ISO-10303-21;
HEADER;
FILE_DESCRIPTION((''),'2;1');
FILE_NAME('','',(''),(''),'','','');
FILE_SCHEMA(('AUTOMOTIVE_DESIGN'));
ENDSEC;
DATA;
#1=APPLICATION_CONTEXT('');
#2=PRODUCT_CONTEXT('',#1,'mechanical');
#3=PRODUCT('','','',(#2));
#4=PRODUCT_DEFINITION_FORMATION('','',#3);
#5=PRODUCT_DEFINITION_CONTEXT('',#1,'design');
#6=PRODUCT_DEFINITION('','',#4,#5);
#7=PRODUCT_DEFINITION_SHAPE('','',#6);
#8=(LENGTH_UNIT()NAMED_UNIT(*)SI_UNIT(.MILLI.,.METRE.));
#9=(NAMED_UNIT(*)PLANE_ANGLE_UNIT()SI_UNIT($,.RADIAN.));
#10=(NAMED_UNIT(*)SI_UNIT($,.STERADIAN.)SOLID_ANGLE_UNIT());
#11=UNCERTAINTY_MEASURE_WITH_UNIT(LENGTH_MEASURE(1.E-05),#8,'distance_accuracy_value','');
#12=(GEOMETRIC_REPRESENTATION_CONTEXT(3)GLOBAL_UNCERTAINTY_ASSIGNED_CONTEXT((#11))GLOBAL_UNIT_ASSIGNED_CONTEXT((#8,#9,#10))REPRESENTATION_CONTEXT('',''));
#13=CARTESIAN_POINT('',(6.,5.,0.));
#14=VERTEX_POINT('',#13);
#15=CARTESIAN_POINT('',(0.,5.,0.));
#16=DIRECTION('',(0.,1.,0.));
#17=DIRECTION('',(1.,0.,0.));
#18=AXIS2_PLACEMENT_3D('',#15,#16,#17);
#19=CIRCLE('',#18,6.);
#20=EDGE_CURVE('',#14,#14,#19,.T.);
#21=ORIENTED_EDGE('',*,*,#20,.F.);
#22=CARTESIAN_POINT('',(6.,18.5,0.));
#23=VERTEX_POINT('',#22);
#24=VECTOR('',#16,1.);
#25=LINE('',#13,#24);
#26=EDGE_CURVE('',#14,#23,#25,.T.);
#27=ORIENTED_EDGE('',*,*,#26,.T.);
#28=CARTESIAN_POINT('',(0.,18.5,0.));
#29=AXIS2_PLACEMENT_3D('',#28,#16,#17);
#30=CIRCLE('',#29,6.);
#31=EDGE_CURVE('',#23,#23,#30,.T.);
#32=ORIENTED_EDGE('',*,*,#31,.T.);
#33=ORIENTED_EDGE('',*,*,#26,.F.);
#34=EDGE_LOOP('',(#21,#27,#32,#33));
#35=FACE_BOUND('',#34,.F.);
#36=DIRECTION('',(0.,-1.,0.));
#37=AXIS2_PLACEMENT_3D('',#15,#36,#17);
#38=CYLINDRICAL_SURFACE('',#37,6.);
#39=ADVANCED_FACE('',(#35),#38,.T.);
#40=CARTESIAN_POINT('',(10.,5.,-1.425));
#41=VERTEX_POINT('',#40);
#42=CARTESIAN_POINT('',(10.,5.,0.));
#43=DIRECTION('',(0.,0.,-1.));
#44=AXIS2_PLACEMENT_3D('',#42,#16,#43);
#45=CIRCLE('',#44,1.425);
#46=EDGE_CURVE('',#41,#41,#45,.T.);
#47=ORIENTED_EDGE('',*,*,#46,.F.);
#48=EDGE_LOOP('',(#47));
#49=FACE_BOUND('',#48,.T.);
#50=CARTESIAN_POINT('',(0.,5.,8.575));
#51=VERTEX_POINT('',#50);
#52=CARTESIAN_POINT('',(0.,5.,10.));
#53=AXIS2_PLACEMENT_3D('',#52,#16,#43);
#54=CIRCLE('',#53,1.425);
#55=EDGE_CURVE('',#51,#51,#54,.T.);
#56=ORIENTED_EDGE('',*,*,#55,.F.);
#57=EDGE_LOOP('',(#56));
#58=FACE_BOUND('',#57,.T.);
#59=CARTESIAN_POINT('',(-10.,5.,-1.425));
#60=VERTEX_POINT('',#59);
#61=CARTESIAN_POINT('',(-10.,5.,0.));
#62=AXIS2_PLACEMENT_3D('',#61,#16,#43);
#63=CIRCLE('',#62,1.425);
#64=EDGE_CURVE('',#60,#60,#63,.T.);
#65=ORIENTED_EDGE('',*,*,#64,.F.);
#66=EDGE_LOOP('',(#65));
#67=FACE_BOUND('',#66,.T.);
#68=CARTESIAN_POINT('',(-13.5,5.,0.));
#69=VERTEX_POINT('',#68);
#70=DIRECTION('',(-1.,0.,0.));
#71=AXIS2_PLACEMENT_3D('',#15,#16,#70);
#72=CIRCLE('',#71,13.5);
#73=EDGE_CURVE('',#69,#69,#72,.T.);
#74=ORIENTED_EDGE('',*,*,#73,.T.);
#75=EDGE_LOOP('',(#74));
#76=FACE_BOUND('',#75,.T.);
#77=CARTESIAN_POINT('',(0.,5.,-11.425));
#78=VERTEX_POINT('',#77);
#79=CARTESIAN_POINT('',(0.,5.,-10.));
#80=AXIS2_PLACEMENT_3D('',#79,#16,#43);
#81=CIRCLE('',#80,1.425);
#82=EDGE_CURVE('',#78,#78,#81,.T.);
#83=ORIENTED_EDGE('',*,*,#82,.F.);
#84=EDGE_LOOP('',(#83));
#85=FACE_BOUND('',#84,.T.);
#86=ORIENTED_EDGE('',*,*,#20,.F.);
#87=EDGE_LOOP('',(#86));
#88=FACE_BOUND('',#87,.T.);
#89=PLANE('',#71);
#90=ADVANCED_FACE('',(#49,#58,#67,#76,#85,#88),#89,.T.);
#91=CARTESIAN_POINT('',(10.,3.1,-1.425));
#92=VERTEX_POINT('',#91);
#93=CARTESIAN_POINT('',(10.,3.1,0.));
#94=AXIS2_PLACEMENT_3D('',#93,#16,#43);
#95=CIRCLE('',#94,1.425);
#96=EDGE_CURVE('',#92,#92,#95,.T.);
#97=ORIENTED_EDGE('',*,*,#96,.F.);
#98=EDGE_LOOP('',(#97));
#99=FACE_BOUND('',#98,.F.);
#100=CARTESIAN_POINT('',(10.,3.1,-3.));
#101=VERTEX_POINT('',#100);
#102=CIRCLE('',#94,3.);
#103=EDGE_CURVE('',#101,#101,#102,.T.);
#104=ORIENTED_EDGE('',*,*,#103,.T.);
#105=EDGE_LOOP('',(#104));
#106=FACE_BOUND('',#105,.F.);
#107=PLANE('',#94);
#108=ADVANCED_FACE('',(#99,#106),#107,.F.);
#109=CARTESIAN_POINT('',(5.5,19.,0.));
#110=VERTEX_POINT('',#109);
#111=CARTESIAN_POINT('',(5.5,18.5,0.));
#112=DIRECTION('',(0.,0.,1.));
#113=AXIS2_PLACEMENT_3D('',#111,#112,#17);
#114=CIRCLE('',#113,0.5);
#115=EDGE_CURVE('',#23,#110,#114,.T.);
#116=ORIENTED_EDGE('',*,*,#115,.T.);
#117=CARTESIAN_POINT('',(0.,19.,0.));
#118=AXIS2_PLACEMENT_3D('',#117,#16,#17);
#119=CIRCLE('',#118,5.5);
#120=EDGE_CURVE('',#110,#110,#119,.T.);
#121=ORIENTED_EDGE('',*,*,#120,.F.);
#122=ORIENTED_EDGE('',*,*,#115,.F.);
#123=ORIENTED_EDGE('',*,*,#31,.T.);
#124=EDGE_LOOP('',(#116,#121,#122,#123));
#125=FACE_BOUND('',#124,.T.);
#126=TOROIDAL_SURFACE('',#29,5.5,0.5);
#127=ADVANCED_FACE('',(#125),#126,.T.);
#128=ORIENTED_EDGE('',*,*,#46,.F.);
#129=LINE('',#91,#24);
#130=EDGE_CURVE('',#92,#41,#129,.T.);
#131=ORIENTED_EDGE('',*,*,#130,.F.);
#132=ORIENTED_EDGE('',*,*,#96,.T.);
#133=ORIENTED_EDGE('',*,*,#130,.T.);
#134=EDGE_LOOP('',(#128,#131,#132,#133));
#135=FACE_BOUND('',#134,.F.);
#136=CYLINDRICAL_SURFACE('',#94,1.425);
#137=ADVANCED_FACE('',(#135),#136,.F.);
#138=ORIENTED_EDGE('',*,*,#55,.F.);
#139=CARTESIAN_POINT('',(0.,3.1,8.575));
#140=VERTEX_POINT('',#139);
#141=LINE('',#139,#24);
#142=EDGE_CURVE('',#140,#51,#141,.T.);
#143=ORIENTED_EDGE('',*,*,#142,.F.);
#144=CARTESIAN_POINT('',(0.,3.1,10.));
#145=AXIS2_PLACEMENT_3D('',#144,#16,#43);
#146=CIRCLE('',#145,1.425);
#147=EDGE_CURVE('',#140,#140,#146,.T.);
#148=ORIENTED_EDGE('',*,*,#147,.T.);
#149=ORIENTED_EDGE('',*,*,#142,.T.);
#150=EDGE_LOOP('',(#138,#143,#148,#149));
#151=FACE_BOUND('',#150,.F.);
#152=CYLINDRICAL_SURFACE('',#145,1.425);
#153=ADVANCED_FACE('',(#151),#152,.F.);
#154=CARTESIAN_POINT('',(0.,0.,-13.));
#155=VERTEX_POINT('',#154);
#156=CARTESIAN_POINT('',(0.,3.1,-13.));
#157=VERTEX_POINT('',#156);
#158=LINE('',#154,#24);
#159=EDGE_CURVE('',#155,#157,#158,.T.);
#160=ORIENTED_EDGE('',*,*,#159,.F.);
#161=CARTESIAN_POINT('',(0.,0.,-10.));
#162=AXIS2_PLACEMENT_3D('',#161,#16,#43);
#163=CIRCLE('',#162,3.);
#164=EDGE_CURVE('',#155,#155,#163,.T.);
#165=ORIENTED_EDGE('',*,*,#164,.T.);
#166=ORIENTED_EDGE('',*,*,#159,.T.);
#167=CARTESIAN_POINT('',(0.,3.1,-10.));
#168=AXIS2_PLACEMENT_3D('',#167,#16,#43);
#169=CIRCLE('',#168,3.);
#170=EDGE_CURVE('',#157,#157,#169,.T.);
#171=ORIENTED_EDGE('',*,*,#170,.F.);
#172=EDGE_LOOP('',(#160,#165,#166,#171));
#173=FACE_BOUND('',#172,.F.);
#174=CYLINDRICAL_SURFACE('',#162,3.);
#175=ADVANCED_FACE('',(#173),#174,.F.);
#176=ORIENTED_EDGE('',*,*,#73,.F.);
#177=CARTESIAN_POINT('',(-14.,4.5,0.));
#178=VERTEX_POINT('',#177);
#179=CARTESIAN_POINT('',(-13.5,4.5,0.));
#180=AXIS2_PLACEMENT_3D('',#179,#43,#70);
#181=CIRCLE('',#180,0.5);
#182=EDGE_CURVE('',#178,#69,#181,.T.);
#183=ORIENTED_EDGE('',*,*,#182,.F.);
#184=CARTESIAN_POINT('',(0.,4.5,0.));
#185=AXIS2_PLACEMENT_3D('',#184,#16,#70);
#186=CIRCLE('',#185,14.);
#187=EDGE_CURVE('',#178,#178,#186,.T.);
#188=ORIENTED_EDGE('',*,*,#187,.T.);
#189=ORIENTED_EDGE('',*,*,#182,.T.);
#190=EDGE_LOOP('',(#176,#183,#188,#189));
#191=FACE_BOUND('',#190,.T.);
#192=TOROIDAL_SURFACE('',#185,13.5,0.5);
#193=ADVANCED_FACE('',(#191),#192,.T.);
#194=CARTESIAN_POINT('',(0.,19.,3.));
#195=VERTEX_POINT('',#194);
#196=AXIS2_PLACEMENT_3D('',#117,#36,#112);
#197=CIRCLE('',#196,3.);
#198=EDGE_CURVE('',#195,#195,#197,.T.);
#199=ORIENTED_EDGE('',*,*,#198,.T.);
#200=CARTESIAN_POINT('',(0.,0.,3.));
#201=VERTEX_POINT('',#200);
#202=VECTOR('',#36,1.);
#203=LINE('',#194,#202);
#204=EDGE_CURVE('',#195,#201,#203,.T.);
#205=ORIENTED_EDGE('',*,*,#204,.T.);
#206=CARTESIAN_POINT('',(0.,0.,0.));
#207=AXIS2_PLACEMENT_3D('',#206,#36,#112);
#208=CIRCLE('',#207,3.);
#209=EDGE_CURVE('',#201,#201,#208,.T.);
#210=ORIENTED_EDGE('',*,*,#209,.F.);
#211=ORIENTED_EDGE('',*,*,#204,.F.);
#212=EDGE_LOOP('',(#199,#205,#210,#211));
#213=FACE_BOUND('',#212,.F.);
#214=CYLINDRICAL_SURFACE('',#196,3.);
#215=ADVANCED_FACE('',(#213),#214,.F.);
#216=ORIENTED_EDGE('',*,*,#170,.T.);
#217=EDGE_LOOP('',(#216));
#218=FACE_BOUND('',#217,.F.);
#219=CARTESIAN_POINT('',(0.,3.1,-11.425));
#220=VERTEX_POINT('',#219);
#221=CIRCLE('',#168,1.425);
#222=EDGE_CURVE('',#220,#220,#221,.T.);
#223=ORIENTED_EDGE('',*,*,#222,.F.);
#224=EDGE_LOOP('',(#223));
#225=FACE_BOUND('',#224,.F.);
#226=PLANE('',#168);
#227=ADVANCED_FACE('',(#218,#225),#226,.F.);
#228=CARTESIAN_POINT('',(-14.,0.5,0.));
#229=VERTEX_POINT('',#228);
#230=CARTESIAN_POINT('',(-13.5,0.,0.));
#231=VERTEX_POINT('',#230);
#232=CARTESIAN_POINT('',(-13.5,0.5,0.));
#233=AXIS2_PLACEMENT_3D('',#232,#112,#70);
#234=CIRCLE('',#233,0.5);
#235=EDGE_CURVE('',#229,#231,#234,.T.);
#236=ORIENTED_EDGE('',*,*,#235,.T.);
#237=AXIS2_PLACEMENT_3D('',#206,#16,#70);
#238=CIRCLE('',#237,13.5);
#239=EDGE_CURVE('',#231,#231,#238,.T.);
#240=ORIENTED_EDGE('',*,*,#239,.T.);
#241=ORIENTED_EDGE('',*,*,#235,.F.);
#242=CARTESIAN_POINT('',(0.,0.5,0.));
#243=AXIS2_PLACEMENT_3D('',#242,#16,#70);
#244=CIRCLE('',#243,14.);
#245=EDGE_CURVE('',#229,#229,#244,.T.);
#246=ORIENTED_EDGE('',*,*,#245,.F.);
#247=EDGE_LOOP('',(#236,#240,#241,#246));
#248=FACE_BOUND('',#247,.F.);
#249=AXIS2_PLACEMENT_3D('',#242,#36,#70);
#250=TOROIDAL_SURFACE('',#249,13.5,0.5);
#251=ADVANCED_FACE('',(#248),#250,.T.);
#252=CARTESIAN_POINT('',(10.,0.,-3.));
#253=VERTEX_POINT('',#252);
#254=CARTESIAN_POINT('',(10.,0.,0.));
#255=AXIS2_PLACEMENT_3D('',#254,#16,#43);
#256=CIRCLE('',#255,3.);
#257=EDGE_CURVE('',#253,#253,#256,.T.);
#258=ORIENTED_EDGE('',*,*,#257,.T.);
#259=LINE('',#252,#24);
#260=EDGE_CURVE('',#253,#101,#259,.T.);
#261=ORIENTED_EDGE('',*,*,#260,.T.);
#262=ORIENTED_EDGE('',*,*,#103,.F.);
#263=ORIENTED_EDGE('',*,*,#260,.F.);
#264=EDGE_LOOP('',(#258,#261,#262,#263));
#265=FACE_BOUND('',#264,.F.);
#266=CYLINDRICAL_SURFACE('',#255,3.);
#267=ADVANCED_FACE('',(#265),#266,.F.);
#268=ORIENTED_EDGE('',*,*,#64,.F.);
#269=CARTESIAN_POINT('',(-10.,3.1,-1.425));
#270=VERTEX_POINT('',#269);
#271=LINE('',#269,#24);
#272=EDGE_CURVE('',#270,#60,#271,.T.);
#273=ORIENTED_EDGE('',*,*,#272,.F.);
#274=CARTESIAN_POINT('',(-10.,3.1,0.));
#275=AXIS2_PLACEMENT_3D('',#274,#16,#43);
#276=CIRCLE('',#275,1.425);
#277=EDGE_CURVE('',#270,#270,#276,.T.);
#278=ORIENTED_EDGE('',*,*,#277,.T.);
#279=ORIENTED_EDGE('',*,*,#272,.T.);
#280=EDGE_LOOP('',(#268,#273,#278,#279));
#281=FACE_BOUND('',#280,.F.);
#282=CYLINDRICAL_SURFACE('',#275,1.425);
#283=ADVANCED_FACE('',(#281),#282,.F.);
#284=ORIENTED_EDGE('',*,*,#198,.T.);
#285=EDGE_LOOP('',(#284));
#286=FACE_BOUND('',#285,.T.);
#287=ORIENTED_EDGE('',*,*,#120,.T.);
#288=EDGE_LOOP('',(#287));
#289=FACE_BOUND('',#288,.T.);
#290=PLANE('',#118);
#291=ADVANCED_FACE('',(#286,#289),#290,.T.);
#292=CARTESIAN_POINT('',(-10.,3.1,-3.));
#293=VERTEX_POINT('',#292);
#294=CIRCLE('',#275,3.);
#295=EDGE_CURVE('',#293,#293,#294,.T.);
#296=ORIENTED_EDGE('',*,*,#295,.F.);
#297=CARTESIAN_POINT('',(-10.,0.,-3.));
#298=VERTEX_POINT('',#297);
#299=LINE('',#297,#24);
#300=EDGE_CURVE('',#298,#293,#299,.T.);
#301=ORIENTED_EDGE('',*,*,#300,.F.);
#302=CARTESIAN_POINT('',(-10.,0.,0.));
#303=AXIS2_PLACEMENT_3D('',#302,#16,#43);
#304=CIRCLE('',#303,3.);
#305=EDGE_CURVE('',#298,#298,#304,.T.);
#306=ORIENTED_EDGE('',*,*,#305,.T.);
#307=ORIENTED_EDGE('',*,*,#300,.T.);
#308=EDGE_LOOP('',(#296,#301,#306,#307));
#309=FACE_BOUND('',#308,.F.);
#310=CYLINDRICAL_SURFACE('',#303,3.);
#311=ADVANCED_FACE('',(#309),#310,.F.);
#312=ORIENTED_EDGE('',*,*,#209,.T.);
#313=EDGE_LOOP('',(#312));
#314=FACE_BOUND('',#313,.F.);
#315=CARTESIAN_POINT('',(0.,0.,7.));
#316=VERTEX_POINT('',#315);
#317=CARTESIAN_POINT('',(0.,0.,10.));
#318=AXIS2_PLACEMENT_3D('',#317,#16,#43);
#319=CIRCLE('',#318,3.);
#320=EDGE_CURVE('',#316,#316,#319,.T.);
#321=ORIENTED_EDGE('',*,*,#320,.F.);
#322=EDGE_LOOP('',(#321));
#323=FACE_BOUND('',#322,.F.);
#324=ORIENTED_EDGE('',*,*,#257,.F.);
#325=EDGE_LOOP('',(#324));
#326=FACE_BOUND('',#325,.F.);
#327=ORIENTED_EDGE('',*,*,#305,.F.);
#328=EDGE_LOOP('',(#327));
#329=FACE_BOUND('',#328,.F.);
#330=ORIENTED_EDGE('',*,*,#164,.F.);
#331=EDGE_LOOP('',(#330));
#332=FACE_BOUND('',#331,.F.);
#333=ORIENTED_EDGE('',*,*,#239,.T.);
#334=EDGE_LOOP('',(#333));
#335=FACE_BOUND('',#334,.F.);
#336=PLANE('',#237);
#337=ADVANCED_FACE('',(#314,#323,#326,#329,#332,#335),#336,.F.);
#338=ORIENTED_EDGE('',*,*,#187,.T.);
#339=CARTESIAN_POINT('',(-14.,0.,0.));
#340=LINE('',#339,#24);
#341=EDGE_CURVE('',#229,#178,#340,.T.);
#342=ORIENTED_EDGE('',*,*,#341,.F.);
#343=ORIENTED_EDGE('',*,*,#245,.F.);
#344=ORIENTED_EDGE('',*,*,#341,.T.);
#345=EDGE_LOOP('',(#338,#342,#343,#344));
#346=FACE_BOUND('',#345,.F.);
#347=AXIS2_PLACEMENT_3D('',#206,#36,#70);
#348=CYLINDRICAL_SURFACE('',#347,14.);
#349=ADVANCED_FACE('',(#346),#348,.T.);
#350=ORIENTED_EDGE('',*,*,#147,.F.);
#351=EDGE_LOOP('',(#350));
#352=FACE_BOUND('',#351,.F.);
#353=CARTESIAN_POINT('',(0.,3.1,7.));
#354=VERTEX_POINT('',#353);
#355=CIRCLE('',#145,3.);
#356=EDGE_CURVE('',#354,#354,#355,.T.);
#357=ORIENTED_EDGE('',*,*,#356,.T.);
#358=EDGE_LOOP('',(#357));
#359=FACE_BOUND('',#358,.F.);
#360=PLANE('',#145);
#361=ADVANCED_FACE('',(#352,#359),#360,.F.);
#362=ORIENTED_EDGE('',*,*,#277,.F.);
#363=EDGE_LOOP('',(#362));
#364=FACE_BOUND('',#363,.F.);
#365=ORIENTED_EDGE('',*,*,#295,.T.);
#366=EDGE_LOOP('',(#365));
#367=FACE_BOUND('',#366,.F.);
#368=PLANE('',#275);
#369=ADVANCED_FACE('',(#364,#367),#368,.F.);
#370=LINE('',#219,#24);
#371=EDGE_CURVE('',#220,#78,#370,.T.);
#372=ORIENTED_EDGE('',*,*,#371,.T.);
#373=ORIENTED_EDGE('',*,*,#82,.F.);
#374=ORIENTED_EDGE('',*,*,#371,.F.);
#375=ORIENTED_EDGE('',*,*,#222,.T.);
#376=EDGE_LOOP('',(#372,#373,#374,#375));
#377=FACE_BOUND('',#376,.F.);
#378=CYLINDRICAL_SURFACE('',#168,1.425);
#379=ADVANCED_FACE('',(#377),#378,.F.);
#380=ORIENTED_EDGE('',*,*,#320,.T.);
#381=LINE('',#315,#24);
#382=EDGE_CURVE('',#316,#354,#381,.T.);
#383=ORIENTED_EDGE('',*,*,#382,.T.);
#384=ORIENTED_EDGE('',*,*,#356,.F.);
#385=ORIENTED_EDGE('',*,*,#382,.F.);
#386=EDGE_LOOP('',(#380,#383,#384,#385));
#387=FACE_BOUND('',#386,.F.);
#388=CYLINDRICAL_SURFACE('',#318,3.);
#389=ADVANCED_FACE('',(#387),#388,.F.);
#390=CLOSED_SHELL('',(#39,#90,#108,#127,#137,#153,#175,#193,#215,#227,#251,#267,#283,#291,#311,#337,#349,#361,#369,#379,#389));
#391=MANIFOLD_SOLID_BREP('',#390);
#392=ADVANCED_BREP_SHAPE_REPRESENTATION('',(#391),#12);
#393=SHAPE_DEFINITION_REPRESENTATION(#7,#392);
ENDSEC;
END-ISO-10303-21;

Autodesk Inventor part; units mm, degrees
ref_plane "YZ Plane" through (0, 0, 0) normal (1, 0, 0) x (0, 1, 0)
ref_plane "XZ Plane" through (0, 0, 0) normal (0, 1, 0) x (-1, 0, 0)
ref_plane "XY Plane" through (0, 0, 0) normal (0, 0, 1) x (1, 0, 0)
sketch "Sketch1" plane through (0, 0, 0) normal (0, 1, 0) x (-1, 0, 0)
  circle A0 centre (0, 0) radius 14
  dimension "d0" = 28
extrude "Extrusion1" add sketch "Sketch1" along normal blind 5
sketch "Sketch2" plane through (0, 5, 0) normal (0, 1, 0) x (1, 0, 0)
  circle A0 centre (0, 0) radius 6
  dimension "d3" = 12
extrude "Extrusion2" add sketch "Sketch2" along normal blind 14
sketch "Sketch4" plane through (0, 0, 0) normal (0, -1, 0) x (1, 0, 0)
  circle A0 centre (0, 0) radius 10 construction
  point P0 (0, -10)
  point P1 (0, 10)
  point P2 (-10, 0)
  point P3 (10, 0)
  dimension "d7" = 20
hole "Hole1" at (0, 0, -10) at (0, 0, 10) at (-10, 0, 0) at (10, 0, 0) direction (0, 1, 0) diameter 2.85 end through all counterbore diameter 6 counterbore depth 3.1 thread size "M3.5x0.6" class "6H" standard "ISO Metric profile"
sketch "Sketch5" plane through (0, 19, 0) normal (0, 1, 0) x (1, 0, 0)
  point P0 (0, 0)
  point P1 (0, 0)
  dimension "d6" = 20
hole "Hole2" at (0, 19, 0) direction (0, -1, 0) diameter 6 end through all
fillet "Fillet1" radius 0.5 3 edges at (-6, 19, 0) (14, 5, 0) (14, 0, 0)
properties part number "2309HCMUTE-CDT23-BAC_TRUOT" material "Stainless Steel"
